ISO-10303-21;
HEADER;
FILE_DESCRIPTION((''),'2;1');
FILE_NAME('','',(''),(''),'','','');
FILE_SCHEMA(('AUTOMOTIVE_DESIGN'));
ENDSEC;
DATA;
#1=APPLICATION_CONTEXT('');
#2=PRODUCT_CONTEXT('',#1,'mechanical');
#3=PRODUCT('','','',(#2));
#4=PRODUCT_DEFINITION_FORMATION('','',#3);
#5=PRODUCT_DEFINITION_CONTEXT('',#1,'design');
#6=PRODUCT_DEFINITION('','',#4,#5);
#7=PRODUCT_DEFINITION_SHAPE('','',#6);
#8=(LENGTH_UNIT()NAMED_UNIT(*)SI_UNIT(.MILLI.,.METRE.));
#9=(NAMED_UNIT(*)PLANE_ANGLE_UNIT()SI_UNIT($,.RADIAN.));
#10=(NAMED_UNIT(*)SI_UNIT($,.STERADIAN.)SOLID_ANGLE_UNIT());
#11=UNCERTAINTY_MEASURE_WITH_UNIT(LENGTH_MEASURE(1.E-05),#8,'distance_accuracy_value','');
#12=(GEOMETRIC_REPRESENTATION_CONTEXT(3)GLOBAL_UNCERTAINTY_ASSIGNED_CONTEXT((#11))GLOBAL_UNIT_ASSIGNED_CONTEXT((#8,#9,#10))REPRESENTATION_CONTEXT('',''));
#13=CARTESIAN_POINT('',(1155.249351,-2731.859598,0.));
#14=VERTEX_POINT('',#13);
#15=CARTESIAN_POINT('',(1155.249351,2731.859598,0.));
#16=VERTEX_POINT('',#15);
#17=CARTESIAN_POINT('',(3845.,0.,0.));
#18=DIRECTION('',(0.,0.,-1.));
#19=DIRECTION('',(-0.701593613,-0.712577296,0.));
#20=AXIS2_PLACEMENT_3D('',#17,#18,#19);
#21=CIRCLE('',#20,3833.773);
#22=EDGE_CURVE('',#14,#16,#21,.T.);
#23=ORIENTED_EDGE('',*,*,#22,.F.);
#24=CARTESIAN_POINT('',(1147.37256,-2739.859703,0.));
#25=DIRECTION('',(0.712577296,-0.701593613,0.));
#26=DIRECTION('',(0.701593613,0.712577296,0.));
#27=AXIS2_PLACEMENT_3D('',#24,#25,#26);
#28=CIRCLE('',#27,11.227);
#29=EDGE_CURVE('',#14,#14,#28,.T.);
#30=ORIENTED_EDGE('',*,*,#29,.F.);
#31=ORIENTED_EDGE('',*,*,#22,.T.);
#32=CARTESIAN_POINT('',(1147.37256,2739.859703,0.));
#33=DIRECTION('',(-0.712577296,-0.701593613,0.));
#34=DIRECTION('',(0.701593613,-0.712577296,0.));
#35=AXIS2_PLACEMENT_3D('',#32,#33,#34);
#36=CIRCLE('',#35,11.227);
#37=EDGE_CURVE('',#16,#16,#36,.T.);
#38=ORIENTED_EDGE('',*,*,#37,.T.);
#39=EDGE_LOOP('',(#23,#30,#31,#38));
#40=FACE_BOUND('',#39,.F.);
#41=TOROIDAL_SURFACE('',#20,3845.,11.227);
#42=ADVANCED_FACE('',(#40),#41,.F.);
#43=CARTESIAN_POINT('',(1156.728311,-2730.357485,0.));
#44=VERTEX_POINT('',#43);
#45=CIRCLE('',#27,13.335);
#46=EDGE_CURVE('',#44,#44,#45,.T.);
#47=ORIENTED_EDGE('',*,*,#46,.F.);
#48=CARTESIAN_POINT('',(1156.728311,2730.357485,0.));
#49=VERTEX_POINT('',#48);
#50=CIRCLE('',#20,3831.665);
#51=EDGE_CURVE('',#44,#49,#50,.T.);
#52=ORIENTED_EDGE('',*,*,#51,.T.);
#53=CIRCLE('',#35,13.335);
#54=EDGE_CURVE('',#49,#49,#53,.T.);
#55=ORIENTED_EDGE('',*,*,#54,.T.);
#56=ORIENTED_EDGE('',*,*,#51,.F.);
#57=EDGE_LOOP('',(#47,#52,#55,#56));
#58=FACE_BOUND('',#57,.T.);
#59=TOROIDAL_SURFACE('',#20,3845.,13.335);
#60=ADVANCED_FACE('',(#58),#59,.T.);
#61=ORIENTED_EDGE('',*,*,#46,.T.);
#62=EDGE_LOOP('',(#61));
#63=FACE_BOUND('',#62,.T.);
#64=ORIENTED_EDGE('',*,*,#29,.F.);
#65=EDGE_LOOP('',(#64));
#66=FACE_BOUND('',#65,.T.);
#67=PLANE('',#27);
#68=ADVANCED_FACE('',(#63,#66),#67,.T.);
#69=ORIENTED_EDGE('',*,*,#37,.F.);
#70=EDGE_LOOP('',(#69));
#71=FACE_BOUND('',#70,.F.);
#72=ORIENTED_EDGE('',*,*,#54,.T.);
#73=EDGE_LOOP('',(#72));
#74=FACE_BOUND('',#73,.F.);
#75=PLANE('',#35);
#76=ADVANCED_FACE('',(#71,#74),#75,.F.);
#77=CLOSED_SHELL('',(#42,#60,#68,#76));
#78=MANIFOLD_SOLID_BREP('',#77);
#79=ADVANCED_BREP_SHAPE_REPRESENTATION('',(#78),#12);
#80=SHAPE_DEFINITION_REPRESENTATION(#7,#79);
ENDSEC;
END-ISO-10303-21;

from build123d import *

# Parameters (mm, degrees)
F0_R          = 13.335
F0_R_2        = 11.227
F1_ANGLE_BACK = 45.445
F1_ANGLE      = 90.89


with BuildPart() as f1:
    # F0 (on Front) → F1 (revolve)
    with BuildSketch(Plane.XZ, mode=Mode.PRIVATE) as f1_sk:
        Circle(F0_R)
        Circle(F0_R_2, mode=Mode.SUBTRACT)
    revolve(f1_sk.sketch.rotate(Axis((3845, 0, -50), (0, 0, -1)), -F1_ANGLE_BACK), axis=Axis((3845, 0, -50), (0, 0, -1)), revolution_arc=F1_ANGLE)


solid = f1.part
